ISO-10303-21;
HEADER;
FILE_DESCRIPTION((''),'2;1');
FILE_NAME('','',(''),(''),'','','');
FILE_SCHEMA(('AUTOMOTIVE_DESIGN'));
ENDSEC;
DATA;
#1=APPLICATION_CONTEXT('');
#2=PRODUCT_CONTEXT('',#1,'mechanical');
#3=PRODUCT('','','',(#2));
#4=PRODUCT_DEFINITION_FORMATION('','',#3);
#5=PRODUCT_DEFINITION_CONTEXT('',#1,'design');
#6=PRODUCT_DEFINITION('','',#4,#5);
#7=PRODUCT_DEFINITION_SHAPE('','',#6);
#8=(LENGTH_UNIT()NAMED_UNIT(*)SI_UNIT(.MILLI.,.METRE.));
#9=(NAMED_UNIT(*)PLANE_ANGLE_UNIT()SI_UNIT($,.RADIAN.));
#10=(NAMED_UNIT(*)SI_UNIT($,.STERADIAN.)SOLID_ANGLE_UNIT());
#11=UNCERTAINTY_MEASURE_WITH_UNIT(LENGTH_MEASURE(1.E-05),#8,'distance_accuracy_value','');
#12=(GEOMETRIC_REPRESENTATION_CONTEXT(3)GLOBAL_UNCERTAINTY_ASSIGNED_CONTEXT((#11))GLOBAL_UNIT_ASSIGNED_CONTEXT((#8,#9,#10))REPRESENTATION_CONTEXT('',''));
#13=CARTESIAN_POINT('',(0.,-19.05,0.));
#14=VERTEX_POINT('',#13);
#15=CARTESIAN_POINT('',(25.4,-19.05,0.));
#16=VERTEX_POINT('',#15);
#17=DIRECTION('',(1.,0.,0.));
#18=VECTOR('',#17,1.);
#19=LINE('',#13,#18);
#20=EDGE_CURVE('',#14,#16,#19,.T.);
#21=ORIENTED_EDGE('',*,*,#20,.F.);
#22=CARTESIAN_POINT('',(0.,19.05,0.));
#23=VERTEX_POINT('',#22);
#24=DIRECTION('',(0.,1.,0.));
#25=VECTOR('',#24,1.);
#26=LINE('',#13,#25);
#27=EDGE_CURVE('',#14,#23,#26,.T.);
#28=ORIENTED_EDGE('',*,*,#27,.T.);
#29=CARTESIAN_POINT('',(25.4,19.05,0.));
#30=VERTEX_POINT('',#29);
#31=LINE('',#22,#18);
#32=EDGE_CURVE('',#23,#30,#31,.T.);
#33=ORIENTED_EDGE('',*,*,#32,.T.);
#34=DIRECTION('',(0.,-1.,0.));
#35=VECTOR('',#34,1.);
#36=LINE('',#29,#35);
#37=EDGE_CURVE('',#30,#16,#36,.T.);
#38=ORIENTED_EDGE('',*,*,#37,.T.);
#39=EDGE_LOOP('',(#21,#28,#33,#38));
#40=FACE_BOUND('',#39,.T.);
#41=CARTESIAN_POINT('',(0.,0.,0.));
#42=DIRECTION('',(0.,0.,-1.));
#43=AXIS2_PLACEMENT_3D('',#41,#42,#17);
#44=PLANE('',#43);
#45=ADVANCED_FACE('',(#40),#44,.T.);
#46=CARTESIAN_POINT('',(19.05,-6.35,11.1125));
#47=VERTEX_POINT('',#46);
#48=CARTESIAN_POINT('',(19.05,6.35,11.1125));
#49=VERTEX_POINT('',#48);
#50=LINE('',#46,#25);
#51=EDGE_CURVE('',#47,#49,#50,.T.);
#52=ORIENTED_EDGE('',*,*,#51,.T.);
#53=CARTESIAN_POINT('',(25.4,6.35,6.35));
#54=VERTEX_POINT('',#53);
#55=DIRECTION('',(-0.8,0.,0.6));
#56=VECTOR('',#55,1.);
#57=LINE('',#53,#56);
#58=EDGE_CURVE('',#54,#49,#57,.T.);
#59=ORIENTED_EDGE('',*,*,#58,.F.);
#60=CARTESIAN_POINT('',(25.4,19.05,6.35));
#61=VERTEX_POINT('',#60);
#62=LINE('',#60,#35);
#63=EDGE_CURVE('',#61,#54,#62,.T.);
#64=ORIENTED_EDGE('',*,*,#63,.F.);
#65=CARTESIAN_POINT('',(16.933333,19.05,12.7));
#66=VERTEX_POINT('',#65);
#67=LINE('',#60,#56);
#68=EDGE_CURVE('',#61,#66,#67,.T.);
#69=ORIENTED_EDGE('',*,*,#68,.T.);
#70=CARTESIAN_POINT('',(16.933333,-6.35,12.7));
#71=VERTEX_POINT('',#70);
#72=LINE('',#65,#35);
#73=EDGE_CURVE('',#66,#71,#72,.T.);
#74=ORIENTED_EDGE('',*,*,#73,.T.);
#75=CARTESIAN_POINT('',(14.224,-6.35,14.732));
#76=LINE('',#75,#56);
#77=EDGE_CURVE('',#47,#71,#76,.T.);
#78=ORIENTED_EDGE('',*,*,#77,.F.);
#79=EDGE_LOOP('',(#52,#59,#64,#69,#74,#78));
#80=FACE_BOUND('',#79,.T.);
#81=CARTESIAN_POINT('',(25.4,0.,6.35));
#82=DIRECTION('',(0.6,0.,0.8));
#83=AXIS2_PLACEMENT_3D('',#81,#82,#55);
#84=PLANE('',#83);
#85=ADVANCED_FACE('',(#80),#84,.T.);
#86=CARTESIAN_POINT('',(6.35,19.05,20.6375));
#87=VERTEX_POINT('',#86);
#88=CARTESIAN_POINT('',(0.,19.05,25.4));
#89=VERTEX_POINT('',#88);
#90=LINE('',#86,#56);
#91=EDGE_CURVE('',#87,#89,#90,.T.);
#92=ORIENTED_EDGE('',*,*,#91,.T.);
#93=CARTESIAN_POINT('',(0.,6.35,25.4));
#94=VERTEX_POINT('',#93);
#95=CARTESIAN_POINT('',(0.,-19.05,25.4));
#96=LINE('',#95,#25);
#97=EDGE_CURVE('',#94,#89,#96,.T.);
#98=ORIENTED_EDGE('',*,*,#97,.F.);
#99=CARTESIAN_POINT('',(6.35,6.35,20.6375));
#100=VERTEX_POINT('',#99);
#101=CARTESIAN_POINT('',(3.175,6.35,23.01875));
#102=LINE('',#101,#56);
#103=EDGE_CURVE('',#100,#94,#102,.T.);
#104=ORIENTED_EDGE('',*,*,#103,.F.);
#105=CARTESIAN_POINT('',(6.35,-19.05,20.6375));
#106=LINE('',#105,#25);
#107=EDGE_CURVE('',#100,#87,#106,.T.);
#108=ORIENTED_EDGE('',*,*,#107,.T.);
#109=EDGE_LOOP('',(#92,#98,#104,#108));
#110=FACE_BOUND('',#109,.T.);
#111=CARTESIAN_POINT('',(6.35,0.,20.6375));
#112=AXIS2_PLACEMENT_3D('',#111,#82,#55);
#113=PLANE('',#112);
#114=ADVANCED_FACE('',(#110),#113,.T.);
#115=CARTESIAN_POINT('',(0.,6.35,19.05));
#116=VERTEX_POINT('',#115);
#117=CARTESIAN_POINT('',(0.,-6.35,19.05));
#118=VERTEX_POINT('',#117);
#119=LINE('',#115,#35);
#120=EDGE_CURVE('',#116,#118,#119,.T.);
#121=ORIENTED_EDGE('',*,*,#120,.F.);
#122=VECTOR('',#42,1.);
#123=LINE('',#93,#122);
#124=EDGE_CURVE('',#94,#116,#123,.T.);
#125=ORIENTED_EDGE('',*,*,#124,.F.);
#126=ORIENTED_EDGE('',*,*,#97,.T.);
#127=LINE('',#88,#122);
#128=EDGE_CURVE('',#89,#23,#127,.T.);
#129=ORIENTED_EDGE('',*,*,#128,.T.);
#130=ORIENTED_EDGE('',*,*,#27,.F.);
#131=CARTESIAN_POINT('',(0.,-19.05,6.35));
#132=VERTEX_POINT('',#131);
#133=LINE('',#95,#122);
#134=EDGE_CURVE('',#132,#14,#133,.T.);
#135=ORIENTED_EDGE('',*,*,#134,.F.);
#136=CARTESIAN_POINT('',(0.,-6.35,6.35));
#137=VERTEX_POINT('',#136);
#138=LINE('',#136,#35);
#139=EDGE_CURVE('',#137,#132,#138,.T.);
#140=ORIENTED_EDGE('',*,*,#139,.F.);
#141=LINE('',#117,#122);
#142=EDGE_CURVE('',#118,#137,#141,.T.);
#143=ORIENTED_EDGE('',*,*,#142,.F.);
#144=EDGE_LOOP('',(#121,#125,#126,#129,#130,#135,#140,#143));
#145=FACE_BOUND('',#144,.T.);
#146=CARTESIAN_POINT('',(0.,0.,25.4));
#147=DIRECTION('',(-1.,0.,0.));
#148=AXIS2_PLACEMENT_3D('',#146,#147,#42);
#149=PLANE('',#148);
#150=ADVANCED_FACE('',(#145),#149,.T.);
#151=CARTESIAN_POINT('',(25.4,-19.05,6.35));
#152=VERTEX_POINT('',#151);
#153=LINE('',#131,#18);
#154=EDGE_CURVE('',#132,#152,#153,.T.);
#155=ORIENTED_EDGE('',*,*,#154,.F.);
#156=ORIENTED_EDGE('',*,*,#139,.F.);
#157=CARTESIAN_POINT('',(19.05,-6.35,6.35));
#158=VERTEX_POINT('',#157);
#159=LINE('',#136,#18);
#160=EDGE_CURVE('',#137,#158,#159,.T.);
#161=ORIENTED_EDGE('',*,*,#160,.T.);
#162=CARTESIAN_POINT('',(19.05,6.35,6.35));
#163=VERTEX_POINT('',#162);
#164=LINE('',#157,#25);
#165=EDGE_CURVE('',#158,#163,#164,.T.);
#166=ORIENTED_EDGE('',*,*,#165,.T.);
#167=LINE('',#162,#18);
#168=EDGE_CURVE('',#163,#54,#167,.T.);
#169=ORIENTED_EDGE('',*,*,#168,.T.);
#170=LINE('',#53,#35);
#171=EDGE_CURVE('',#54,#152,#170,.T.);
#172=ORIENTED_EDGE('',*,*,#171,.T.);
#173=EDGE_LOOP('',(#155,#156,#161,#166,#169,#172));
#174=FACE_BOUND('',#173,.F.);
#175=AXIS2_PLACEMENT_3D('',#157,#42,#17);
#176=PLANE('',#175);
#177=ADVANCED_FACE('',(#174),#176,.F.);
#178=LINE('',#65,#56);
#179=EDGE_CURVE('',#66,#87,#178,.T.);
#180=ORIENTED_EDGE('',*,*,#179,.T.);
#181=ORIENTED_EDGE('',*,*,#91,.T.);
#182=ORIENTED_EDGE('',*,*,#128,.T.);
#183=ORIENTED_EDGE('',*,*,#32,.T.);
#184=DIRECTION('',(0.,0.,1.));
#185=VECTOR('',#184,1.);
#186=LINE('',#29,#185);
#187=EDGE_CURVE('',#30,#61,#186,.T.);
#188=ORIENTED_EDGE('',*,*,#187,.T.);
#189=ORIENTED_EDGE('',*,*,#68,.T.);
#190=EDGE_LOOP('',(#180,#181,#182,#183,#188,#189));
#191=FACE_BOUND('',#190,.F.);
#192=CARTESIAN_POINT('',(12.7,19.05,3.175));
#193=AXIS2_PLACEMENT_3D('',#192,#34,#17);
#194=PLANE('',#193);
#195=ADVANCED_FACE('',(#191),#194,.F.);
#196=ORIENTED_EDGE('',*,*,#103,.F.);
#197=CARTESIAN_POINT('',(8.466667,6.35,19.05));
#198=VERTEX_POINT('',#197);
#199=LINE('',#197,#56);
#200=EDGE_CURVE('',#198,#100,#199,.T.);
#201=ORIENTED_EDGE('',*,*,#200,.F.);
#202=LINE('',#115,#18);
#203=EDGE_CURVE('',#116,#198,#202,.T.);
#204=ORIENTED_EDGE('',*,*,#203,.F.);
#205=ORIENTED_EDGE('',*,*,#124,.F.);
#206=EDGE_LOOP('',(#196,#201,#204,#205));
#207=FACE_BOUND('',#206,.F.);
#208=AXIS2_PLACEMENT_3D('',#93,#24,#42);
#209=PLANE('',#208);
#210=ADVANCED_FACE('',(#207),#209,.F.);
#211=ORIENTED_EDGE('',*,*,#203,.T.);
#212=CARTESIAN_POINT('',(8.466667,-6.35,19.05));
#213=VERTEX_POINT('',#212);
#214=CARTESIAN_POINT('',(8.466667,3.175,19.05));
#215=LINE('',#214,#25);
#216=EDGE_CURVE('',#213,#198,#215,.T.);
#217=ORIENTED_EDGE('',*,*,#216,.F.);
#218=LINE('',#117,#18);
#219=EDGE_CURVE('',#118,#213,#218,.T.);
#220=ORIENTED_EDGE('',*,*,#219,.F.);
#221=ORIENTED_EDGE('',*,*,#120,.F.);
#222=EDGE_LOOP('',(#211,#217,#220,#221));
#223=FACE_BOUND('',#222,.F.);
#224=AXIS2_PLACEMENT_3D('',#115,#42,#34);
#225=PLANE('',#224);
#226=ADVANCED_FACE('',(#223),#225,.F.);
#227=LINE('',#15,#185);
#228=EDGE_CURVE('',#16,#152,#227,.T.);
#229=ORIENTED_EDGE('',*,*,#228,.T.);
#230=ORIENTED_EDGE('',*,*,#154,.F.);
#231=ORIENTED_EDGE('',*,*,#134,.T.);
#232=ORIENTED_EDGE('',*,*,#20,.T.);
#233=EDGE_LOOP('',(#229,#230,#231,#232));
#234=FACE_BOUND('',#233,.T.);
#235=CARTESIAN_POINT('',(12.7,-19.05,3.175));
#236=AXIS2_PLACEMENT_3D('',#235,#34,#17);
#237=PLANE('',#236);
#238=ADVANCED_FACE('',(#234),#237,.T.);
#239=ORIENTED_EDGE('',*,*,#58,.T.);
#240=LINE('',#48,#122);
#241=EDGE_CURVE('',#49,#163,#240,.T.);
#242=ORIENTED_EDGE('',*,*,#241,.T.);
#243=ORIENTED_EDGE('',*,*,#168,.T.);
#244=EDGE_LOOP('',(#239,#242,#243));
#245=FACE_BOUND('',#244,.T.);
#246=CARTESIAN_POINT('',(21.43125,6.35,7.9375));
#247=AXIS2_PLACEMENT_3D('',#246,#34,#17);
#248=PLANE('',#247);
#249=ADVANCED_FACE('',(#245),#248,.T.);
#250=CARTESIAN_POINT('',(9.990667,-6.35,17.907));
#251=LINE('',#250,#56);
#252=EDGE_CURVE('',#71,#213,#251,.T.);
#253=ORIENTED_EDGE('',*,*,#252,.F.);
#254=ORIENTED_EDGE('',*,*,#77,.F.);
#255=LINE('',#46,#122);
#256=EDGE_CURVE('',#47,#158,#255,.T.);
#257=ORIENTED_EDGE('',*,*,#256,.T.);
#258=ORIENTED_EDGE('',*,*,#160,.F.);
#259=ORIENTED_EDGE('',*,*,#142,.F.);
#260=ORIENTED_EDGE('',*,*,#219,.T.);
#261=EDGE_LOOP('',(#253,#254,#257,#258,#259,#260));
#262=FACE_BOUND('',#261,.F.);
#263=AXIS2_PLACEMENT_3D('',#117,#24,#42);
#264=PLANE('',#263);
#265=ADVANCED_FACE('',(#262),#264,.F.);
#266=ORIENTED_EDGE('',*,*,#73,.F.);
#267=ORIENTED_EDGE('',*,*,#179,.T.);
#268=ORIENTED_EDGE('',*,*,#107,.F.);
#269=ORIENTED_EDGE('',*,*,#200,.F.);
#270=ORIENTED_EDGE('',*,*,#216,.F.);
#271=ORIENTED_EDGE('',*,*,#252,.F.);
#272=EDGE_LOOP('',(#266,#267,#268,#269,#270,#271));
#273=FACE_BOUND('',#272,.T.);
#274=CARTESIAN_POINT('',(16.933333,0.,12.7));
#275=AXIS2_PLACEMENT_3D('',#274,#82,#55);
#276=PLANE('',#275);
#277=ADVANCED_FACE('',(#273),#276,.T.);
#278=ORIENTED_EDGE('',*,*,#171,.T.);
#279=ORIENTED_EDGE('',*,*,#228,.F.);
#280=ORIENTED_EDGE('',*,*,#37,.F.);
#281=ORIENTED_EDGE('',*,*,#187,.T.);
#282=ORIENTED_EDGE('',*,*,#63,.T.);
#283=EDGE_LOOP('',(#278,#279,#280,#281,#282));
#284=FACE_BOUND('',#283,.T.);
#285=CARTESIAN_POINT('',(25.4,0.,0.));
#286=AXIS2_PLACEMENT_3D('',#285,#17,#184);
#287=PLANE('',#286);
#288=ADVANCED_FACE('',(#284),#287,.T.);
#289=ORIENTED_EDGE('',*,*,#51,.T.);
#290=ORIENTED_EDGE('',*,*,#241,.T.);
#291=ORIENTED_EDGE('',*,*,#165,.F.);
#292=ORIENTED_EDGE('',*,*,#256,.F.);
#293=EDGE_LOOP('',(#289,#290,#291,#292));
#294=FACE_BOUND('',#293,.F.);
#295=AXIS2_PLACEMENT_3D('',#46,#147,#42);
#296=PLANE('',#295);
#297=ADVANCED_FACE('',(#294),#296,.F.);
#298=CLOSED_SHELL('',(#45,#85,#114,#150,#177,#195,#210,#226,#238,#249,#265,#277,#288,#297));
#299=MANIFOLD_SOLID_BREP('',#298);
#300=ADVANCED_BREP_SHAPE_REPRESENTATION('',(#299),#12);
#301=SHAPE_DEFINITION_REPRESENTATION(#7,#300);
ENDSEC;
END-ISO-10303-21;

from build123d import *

# Parameters (mm, degrees)
F1_DEPTH = 19.05
F3_DEPTH = 25.401
F5_DEPTH = 12.7


with BuildPart() as f1:
    # F0 (on Front) → F1 (new body, symmetric)
    with BuildSketch(Plane.XZ):
        Polygon((0, 6.35), (0, 0), (25.4, 0), (25.4, 6.35), (16.9333333333, 6.35), align=None)
        Polygon((0, 20.6375), (0, 6.35), (16.9333333333, 6.35), (16.9333333333, 12.7), (6.35, 20.6375), align=None)
        Polygon((16.9333333333, 6.35), (25.4, 6.35), (16.9333333333, 12.7), align=None)
        Polygon((0, 25.4), (0, 20.6375), (6.35, 20.6375), align=None)
    extrude(amount=F1_DEPTH, both=True)

    # F2 (on face) → F3 (cut, through all)
    with BuildSketch(Plane(origin=(0, 0, 0), x_dir=(0, -1, 0), z_dir=(-1, 0, 0))):
        Polygon((6.35, 6.35), (19.05, 6.35), (19.05, 25.4), (-6.35, 25.4), (-6.35, 19.05), (6.35, 19.05), align=None)
    extrude(amount=-F3_DEPTH, mode=Mode.SUBTRACT)

    # F4 (on face) → F5 (cut)
    with BuildSketch(Plane.XZ.offset(6.35)):
        Polygon((19.05, 6.35), (25.4, 6.35), (19.05, 11.1125), align=None)
    extrude(amount=-F5_DEPTH, mode=Mode.SUBTRACT)


solid = f1.part
